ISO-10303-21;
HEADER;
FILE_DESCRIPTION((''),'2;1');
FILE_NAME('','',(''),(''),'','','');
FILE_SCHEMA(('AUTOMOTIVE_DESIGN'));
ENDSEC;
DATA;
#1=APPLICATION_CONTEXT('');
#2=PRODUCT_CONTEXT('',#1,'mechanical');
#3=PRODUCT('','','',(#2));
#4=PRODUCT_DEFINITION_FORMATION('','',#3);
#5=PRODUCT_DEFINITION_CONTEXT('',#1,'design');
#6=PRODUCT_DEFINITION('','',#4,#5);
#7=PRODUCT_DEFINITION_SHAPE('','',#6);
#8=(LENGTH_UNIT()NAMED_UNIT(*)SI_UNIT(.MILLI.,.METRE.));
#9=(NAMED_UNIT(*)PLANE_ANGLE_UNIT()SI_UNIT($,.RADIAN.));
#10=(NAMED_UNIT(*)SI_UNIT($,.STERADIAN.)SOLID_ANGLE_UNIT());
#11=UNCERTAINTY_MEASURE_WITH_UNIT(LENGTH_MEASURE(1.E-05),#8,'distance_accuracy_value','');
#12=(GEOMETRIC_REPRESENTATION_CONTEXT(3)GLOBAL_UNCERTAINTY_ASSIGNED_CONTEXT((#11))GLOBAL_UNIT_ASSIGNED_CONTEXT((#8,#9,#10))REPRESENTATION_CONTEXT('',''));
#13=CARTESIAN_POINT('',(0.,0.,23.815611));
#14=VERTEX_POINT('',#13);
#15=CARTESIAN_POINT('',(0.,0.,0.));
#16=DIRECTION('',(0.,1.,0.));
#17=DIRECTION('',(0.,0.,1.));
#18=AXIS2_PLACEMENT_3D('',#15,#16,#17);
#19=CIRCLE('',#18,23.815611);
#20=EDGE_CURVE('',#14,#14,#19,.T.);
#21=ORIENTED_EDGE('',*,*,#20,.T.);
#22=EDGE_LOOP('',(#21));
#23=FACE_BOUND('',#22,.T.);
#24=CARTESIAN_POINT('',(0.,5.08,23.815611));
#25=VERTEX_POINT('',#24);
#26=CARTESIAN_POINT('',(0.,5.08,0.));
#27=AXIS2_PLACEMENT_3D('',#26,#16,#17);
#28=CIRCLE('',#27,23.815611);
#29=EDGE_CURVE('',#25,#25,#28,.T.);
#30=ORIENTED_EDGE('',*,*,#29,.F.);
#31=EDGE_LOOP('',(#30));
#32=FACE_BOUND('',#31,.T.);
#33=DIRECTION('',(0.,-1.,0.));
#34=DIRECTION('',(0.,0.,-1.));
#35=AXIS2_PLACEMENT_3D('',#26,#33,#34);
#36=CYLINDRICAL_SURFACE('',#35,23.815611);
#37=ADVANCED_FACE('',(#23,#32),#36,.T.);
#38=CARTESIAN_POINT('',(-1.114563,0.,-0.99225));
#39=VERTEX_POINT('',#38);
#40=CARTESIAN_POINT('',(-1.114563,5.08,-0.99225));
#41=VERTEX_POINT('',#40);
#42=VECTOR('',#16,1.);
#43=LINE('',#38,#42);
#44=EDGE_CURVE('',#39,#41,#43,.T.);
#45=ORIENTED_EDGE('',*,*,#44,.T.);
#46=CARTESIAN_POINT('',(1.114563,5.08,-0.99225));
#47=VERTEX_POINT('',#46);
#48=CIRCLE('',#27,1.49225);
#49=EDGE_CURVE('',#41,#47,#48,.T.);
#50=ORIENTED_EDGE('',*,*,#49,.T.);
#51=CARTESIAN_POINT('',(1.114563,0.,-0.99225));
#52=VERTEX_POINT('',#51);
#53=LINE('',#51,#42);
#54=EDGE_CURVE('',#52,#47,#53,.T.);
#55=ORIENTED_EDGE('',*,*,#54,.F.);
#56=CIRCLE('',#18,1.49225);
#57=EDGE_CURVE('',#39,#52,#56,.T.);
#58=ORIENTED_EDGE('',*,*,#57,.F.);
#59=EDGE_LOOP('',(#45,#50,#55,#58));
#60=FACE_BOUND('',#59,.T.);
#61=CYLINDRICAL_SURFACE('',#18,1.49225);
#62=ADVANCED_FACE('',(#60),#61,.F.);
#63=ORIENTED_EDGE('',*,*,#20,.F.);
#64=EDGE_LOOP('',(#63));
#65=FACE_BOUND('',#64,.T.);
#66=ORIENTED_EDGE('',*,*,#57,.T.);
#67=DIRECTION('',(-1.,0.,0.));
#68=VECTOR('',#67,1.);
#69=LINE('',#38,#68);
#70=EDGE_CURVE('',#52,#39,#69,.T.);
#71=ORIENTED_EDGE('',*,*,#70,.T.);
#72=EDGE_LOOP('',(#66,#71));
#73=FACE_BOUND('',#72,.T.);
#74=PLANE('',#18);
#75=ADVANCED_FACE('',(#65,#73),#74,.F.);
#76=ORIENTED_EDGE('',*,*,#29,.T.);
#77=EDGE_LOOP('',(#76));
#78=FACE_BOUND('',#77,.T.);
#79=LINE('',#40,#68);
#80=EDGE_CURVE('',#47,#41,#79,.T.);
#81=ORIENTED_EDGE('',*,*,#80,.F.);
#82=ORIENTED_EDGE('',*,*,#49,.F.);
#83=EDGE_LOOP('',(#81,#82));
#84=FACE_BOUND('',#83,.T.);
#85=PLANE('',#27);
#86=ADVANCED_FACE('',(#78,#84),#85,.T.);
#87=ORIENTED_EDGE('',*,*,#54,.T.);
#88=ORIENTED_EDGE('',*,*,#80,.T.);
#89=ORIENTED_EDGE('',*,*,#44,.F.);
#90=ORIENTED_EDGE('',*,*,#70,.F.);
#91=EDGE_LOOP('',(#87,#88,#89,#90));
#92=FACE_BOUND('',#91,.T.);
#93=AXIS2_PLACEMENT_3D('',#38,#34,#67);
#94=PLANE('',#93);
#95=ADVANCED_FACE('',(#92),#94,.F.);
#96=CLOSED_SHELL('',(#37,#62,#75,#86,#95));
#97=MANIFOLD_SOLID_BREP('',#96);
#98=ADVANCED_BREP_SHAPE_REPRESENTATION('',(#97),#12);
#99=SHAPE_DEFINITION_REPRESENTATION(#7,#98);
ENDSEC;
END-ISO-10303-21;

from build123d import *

# Parameters (mm, degrees)
SKETCH1_R           = 23.815610662
BOSS_EXTRUDE1_DEPTH = 5.08
CUT_EXTRUDE1_DEPTH  = 5.08


with BuildPart() as part:
    # Sketch1 → Boss-Extrude1 (new body)
    with BuildSketch(Plane(origin=(0, 0, 0), x_dir=(1, 0, 0), z_dir=(0, 1, 0))):
        with Locations(Location((0, 0, 0), (0, 0, 270))):
            Circle(SKETCH1_R)
    extrude(amount=BOSS_EXTRUDE1_DEPTH)

    # Sketch2 → Cut-Extrude1 (cut)
    with BuildSketch(Plane(origin=(0, 5.08, 0), x_dir=(1, 0, 0), z_dir=(0, 1, 0))):
        with BuildLine():
            Line((-1.114562695, 0.99225), (1.114562695, 0.99225))
            ThreePointArc((1.114562695, 0.99225), (0, -1.49225), (-1.114562695, 0.99225))
        make_face()
    extrude(amount=-CUT_EXTRUDE1_DEPTH, mode=Mode.SUBTRACT)


solid = part.part
